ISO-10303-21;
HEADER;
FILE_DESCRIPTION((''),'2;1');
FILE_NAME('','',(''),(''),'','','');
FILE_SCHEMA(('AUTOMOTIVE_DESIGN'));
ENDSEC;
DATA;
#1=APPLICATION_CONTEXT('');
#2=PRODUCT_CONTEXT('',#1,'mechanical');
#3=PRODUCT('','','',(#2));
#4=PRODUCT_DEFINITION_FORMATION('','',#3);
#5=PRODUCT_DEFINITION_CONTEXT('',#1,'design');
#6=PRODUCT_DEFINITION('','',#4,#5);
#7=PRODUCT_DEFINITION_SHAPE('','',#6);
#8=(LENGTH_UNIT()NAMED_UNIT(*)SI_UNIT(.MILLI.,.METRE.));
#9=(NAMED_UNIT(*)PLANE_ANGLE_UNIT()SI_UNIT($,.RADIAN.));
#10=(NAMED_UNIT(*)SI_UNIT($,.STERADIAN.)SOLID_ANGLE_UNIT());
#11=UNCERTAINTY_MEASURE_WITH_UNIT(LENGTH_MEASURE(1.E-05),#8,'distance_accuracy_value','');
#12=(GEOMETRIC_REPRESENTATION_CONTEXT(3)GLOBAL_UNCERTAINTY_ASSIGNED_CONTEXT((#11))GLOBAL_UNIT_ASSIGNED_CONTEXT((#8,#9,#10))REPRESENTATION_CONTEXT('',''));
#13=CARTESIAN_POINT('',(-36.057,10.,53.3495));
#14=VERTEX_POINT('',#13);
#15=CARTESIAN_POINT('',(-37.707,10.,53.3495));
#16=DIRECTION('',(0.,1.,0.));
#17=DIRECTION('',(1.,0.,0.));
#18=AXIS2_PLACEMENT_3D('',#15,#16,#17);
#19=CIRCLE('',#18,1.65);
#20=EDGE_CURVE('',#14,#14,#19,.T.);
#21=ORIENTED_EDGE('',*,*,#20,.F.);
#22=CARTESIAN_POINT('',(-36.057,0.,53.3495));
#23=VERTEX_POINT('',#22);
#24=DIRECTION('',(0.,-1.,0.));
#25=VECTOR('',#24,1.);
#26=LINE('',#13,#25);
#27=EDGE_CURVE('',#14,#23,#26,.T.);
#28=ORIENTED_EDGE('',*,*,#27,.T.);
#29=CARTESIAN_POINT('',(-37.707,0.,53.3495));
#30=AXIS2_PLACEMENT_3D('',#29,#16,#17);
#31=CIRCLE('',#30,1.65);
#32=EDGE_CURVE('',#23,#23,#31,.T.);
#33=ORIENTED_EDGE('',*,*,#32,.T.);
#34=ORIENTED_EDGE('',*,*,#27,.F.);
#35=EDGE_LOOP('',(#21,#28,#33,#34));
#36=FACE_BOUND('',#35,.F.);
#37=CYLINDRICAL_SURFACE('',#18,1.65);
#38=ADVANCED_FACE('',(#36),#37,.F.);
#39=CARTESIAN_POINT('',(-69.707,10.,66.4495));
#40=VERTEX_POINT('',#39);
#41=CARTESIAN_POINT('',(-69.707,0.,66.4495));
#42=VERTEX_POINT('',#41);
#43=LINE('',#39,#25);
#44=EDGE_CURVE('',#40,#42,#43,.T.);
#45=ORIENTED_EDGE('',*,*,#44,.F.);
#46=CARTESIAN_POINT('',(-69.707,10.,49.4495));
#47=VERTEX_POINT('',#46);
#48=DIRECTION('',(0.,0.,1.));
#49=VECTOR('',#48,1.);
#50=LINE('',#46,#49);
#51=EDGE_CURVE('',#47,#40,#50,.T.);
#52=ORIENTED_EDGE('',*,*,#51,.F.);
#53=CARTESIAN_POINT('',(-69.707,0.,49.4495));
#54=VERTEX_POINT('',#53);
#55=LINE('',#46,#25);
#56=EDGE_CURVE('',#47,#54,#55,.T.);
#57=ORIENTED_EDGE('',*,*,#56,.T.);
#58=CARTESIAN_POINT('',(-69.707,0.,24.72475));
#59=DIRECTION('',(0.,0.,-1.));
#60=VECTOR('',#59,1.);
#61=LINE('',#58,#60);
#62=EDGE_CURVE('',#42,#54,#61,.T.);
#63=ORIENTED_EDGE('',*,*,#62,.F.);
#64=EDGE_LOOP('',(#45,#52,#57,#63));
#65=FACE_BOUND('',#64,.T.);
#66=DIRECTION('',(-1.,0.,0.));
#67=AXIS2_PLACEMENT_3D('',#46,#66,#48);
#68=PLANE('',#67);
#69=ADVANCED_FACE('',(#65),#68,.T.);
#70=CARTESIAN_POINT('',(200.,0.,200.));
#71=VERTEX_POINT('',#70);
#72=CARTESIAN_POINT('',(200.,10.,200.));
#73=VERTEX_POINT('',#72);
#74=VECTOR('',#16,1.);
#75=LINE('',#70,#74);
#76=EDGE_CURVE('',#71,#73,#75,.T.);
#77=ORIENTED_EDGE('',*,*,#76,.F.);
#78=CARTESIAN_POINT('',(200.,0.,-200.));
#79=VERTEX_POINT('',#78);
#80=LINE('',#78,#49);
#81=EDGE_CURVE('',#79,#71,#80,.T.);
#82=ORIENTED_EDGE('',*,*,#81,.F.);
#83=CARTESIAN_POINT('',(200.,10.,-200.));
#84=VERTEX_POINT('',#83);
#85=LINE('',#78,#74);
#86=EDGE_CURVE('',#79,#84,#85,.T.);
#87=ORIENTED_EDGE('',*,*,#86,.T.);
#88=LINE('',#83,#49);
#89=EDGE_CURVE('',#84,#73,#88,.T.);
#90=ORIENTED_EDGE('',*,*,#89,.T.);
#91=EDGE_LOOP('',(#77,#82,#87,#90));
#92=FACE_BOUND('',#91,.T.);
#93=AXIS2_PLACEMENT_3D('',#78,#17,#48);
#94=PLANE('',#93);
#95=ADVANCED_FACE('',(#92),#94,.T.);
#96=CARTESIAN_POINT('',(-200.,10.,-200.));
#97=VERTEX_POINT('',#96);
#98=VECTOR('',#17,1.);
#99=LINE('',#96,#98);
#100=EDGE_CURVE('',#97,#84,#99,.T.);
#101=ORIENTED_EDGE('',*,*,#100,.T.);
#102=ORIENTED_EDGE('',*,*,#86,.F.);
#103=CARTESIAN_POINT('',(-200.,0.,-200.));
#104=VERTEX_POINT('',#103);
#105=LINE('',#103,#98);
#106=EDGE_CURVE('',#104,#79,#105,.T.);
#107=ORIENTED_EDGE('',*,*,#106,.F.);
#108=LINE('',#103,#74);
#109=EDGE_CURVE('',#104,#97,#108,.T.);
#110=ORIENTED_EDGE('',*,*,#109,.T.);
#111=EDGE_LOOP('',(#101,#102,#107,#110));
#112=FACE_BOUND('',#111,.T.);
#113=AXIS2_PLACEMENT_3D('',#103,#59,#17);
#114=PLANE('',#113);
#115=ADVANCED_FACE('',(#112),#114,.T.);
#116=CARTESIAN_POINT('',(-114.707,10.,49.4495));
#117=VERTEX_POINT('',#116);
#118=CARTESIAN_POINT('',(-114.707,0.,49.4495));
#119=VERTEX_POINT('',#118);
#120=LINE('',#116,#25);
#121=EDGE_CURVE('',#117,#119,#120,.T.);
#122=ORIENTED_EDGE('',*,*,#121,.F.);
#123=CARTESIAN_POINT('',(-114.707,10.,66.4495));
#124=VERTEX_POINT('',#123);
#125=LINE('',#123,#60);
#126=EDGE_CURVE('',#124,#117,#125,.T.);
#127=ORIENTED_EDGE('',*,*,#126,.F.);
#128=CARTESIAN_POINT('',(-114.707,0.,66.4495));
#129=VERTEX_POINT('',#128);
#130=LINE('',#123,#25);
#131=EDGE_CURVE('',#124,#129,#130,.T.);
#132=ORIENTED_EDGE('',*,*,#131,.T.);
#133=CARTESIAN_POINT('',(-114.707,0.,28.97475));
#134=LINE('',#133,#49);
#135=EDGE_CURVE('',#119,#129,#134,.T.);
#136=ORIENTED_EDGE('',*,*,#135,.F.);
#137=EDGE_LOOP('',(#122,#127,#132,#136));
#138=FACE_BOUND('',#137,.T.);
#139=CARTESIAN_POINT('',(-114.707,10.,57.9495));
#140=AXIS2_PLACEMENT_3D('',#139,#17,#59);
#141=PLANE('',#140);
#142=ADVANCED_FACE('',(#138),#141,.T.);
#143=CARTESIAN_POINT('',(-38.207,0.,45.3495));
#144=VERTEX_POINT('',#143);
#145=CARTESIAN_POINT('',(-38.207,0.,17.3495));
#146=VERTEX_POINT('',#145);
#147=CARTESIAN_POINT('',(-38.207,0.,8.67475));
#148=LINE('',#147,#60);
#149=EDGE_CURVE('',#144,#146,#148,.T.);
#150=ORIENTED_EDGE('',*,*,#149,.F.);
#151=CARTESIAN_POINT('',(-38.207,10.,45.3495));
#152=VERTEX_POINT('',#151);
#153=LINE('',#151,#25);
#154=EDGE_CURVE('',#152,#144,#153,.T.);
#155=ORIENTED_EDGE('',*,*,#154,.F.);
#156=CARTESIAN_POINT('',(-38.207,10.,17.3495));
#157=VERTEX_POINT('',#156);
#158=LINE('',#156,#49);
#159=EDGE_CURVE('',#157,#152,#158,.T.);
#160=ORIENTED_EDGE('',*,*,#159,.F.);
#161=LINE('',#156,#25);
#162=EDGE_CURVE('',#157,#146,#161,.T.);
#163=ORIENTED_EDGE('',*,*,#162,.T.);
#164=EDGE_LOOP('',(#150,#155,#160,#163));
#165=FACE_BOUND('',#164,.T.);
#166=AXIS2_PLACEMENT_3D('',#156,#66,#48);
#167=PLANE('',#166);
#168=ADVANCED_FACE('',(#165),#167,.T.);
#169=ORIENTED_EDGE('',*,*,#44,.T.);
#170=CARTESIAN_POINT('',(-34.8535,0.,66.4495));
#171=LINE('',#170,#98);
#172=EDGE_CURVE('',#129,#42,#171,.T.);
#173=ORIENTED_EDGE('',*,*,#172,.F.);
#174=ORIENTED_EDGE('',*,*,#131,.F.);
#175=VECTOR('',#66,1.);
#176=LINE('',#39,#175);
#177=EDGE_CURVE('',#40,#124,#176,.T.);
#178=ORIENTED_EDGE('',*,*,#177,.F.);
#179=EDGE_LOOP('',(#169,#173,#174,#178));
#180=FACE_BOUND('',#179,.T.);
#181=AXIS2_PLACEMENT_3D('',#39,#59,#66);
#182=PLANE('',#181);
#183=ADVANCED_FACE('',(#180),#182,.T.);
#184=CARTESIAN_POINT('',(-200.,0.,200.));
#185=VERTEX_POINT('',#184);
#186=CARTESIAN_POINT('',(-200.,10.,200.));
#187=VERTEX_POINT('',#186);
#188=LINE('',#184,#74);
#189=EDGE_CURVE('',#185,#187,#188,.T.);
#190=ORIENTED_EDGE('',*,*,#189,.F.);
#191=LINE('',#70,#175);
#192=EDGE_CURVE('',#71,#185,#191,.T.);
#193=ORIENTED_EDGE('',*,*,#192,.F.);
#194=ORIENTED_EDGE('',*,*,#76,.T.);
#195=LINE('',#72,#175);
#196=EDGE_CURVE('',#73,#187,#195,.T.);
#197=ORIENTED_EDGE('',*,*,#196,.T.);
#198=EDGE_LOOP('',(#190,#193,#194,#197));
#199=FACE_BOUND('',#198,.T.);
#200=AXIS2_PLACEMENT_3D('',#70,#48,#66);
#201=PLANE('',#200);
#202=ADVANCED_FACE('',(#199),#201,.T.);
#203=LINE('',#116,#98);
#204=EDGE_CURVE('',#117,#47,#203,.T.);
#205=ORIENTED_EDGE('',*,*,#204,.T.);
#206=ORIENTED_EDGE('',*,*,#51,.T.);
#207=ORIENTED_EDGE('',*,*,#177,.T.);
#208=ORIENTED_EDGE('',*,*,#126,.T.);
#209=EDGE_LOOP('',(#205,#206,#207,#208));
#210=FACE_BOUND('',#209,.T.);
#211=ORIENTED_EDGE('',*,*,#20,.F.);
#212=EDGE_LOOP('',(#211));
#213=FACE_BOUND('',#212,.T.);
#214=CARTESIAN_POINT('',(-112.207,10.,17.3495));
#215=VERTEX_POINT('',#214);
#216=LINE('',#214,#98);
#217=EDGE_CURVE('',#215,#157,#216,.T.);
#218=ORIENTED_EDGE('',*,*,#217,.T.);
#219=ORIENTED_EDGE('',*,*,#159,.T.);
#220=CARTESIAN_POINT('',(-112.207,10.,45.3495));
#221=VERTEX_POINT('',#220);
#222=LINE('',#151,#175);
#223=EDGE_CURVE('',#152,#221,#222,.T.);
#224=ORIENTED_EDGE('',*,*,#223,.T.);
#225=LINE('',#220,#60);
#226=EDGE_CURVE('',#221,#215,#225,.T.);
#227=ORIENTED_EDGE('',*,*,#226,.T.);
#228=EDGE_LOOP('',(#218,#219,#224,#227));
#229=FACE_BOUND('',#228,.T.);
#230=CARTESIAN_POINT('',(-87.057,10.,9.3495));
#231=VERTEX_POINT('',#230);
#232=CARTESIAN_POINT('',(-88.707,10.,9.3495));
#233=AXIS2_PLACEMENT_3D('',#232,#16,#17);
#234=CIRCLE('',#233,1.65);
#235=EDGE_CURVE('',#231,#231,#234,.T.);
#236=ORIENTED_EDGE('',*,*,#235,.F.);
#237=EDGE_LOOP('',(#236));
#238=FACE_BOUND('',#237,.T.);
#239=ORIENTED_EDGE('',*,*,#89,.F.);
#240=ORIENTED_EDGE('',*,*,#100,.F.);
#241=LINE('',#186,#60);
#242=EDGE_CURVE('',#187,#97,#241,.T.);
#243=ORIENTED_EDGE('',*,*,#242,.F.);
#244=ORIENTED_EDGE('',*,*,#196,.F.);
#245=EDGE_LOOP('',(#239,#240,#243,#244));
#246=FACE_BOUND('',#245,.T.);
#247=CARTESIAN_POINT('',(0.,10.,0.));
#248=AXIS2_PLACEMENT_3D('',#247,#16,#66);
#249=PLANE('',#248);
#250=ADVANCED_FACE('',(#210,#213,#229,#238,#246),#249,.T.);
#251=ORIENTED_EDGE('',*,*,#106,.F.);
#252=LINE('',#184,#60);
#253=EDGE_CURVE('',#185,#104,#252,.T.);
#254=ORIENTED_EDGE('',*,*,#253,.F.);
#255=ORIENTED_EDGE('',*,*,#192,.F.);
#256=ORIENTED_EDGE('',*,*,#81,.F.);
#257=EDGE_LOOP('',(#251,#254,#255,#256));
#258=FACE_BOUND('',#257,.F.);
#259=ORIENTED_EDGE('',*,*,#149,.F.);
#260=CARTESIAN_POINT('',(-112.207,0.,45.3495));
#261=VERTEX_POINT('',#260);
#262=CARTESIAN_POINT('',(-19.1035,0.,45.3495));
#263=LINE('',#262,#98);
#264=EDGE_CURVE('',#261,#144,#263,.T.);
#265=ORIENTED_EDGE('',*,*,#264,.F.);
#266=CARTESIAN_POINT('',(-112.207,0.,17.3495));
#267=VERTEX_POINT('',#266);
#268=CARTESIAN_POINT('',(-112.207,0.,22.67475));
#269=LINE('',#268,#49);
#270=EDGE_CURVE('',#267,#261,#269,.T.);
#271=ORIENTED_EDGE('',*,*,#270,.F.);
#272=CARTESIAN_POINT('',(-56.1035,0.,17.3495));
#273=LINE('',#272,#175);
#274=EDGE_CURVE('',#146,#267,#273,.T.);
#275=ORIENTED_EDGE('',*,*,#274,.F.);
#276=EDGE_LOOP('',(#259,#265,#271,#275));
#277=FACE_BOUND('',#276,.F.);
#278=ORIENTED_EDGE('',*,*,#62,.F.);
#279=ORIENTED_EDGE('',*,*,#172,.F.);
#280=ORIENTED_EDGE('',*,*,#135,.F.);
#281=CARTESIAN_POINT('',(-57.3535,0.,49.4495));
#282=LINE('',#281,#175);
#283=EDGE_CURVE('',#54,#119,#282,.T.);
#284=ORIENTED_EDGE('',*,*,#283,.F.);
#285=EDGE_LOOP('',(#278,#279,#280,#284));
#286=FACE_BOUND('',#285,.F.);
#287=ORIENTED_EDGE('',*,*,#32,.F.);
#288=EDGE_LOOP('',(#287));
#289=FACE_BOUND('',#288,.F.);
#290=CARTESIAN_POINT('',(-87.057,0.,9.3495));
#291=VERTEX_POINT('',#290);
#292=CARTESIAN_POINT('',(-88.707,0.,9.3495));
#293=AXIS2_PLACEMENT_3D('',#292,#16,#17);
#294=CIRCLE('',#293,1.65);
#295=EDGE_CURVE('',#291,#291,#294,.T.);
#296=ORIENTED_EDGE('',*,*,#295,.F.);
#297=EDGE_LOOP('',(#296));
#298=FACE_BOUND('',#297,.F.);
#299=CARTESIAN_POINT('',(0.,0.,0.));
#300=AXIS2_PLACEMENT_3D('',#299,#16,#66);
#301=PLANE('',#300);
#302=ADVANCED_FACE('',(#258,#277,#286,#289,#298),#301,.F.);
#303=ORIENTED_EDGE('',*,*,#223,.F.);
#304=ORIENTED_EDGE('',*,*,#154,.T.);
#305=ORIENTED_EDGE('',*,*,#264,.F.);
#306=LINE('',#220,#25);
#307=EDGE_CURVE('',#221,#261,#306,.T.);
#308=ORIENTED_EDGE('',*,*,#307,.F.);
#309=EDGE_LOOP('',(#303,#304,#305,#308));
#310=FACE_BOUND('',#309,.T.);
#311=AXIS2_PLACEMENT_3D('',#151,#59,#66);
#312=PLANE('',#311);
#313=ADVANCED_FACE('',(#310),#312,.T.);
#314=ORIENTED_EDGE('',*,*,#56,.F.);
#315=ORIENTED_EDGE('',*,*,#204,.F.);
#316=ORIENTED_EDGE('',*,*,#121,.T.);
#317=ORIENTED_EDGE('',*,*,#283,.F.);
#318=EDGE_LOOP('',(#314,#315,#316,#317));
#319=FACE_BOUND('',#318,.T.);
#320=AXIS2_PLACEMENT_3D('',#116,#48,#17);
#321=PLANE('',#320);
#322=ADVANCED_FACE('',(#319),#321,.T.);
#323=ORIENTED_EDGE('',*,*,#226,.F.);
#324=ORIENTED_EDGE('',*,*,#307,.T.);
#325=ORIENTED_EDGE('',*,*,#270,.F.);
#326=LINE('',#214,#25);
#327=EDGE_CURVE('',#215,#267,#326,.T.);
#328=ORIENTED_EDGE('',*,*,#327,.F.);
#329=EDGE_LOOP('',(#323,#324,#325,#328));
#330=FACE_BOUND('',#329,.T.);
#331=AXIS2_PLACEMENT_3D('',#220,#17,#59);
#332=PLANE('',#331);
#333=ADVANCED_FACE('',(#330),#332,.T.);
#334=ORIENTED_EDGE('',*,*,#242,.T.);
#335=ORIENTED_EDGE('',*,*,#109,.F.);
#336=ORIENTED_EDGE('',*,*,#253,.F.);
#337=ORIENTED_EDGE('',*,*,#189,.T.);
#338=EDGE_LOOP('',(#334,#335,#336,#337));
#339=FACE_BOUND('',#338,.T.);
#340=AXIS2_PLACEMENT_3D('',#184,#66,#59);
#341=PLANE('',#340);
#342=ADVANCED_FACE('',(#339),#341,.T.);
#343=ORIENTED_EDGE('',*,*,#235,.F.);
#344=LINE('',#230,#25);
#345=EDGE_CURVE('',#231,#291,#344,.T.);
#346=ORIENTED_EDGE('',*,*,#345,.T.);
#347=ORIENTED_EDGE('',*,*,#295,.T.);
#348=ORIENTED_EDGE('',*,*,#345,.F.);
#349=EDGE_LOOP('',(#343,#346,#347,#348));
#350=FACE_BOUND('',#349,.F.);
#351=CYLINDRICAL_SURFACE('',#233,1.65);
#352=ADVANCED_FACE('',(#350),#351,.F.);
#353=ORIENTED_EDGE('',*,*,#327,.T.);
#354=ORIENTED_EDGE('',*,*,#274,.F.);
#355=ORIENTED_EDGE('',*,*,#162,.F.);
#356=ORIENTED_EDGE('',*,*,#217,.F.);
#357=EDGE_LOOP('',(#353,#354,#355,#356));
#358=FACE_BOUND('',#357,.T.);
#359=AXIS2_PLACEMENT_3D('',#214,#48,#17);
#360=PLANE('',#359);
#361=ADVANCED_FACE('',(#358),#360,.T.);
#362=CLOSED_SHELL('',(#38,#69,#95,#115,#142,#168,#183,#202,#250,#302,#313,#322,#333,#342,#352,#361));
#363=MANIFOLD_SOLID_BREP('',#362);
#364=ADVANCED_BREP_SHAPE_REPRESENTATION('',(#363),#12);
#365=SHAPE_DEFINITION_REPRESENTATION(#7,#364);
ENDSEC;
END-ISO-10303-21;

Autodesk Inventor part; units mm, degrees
ref_plane "YZ Plane" through (0, 0, 0) normal (1, 0, 0) x (0, 1, 0)
ref_plane "XZ Plane" through (0, 0, 0) normal (0, 1, 0) x (-1, 0, 0)
ref_plane "XY Plane" through (0, 0, 0) normal (0, 0, 1) x (1, 0, 0)
sketch "Sketch3" plane through (0, 0, 0) normal (0, 1, 0) x (-1, 0, 0)
  line L0 (200, -200) -> (-200, -200)
  line L1 (-200, -200) -> (-200, 200)
  line L2 (-200, 200) -> (200, 200)
  line L3 (200, 200) -> (200, -200)
  line L4 (200, -200) -> (-200, 200) construction
  line L5 (-200, -200) -> (200, 200) construction
  point P0 (0, 0)
  dimension "d8" = 400
  dimension "d9" = 400
extrude "Extrusion1" add sketch "Sketch3" along normal blind 10
sketch "Sketch1" plane through (0, 10, 0) normal (0, 1, 0) x (1, 0, 0)
  line L0 (-112.207, -17.3495) -> (-38.207, -17.3495)
  line L1 (-38.207, -17.3495) -> (-38.207, -45.3495)
  line L2 (-38.207, -45.3495) -> (-112.207, -45.3495)
  line L3 (-112.207, -45.3495) -> (-112.207, -17.3495)
  line L4 (-114.707, -49.4495) -> (-69.707, -49.4495)
  line L5 (-69.707, -49.4495) -> (-69.707, -66.4495)
  line L6 (-69.707, -66.4495) -> (-114.707, -66.4495)
  line L7 (-114.707, -66.4495) -> (-114.707, -49.4495)
  line L8 (-114.707, -57.9495) -> (-69.707, -57.9495)
  circle A0 centre (-88.707, -9.3495) radius 1.65
  circle A1 centre (-37.707, -53.3495) radius 1.65
  point P0 (0, 0)
  dimension "d2" = 74
  dimension "d3" = 28
  dimension "d4" = 45
  dimension "d5" = 17
  dimension "d6" = 12.6
  dimension "d7" = 42.5
  dimension "d14" = 23.5
  dimension "d15" = 3.3
  dimension "d16" = 3.3
  dimension "d17" = 8
  dimension "d18" = 8
  dimension "d19" = 0.5
extrude "Extrusion2" cut sketch "Sketch1" against normal up to next
properties part number "lcdgen"
